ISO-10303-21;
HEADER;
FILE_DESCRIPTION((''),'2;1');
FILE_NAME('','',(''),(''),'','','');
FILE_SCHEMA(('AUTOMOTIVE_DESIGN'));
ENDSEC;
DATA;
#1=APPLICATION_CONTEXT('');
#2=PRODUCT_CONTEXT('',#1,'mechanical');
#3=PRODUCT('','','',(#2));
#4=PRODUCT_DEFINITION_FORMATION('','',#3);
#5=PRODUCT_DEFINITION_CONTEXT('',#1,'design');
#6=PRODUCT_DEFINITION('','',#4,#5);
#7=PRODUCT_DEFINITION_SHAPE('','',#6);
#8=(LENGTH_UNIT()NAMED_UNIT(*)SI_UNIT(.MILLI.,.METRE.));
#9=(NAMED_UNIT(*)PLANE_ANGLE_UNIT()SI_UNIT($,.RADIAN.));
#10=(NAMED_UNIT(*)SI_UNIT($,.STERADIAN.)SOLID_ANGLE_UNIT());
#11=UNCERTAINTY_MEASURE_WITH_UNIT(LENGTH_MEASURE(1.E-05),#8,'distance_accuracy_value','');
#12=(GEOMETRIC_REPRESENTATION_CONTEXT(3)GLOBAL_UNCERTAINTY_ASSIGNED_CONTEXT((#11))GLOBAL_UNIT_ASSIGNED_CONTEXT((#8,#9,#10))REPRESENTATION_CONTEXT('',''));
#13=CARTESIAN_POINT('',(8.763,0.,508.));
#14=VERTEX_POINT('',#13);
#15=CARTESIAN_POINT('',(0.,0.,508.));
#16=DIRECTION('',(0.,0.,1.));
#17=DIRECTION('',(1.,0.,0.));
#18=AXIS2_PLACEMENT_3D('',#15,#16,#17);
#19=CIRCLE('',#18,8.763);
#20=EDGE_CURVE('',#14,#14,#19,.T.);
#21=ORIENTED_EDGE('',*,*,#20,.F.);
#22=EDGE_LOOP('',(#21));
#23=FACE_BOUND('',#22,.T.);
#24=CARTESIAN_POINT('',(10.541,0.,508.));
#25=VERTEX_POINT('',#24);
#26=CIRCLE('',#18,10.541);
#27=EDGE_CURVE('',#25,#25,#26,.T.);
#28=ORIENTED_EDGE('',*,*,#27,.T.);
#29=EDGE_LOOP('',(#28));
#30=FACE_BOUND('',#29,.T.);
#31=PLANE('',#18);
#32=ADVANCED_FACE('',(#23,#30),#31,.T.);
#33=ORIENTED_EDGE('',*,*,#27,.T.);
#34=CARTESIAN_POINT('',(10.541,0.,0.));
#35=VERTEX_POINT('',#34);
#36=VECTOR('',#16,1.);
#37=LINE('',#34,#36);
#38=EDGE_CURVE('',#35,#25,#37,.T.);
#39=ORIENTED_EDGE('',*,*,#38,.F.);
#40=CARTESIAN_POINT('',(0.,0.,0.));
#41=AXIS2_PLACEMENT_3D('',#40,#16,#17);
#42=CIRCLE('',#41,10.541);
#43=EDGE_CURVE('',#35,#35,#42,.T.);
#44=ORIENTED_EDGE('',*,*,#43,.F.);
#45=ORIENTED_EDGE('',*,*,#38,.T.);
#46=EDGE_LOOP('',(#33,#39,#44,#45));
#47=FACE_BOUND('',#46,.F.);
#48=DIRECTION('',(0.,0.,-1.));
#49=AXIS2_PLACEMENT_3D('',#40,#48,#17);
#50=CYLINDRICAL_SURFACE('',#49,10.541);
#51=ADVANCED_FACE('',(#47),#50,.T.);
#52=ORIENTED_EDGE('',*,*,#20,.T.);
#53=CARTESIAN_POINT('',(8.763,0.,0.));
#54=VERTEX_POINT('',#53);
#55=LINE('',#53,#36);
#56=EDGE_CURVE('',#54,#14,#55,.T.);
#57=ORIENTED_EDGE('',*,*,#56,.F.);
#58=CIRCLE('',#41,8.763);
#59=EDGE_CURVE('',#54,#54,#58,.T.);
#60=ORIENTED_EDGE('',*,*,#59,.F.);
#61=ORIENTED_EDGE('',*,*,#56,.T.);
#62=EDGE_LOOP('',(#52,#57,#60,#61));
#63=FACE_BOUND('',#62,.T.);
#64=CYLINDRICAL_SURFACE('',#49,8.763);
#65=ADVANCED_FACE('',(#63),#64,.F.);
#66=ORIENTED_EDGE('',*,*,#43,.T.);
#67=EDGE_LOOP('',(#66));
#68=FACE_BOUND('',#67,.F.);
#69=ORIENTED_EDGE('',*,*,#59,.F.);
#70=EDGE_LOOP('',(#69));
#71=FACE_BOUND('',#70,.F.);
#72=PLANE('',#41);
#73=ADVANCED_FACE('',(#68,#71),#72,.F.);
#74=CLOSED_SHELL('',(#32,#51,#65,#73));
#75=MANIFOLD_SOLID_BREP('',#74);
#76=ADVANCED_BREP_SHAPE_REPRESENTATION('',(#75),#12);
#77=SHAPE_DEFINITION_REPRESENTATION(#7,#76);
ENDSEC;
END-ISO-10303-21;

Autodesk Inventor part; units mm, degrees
ref_plane "YZ Plane" through (0, 0, 0) normal (1, 0, 0) x (0, 1, 0)
ref_plane "XZ Plane" through (0, 0, 0) normal (0, 1, 0) x (-1, 0, 0)
ref_plane "XY Plane" through (0, 0, 0) normal (0, 0, 1) x (1, 0, 0)
sketch "Sketch1" plane through (0, 0, 0) normal (0, 0, 1) x (1, 0, 0)
  circle A0 centre (0, 0) radius 8.763
  circle A1 centre (0, 0) radius 10.541
  dimension "d0" = 17.526
  dimension "d1" = 1.778
extrude "Extrusion1" add sketch "Sketch1" along normal blind 508
properties part number "Main Rod" material "PVC-Piping"
